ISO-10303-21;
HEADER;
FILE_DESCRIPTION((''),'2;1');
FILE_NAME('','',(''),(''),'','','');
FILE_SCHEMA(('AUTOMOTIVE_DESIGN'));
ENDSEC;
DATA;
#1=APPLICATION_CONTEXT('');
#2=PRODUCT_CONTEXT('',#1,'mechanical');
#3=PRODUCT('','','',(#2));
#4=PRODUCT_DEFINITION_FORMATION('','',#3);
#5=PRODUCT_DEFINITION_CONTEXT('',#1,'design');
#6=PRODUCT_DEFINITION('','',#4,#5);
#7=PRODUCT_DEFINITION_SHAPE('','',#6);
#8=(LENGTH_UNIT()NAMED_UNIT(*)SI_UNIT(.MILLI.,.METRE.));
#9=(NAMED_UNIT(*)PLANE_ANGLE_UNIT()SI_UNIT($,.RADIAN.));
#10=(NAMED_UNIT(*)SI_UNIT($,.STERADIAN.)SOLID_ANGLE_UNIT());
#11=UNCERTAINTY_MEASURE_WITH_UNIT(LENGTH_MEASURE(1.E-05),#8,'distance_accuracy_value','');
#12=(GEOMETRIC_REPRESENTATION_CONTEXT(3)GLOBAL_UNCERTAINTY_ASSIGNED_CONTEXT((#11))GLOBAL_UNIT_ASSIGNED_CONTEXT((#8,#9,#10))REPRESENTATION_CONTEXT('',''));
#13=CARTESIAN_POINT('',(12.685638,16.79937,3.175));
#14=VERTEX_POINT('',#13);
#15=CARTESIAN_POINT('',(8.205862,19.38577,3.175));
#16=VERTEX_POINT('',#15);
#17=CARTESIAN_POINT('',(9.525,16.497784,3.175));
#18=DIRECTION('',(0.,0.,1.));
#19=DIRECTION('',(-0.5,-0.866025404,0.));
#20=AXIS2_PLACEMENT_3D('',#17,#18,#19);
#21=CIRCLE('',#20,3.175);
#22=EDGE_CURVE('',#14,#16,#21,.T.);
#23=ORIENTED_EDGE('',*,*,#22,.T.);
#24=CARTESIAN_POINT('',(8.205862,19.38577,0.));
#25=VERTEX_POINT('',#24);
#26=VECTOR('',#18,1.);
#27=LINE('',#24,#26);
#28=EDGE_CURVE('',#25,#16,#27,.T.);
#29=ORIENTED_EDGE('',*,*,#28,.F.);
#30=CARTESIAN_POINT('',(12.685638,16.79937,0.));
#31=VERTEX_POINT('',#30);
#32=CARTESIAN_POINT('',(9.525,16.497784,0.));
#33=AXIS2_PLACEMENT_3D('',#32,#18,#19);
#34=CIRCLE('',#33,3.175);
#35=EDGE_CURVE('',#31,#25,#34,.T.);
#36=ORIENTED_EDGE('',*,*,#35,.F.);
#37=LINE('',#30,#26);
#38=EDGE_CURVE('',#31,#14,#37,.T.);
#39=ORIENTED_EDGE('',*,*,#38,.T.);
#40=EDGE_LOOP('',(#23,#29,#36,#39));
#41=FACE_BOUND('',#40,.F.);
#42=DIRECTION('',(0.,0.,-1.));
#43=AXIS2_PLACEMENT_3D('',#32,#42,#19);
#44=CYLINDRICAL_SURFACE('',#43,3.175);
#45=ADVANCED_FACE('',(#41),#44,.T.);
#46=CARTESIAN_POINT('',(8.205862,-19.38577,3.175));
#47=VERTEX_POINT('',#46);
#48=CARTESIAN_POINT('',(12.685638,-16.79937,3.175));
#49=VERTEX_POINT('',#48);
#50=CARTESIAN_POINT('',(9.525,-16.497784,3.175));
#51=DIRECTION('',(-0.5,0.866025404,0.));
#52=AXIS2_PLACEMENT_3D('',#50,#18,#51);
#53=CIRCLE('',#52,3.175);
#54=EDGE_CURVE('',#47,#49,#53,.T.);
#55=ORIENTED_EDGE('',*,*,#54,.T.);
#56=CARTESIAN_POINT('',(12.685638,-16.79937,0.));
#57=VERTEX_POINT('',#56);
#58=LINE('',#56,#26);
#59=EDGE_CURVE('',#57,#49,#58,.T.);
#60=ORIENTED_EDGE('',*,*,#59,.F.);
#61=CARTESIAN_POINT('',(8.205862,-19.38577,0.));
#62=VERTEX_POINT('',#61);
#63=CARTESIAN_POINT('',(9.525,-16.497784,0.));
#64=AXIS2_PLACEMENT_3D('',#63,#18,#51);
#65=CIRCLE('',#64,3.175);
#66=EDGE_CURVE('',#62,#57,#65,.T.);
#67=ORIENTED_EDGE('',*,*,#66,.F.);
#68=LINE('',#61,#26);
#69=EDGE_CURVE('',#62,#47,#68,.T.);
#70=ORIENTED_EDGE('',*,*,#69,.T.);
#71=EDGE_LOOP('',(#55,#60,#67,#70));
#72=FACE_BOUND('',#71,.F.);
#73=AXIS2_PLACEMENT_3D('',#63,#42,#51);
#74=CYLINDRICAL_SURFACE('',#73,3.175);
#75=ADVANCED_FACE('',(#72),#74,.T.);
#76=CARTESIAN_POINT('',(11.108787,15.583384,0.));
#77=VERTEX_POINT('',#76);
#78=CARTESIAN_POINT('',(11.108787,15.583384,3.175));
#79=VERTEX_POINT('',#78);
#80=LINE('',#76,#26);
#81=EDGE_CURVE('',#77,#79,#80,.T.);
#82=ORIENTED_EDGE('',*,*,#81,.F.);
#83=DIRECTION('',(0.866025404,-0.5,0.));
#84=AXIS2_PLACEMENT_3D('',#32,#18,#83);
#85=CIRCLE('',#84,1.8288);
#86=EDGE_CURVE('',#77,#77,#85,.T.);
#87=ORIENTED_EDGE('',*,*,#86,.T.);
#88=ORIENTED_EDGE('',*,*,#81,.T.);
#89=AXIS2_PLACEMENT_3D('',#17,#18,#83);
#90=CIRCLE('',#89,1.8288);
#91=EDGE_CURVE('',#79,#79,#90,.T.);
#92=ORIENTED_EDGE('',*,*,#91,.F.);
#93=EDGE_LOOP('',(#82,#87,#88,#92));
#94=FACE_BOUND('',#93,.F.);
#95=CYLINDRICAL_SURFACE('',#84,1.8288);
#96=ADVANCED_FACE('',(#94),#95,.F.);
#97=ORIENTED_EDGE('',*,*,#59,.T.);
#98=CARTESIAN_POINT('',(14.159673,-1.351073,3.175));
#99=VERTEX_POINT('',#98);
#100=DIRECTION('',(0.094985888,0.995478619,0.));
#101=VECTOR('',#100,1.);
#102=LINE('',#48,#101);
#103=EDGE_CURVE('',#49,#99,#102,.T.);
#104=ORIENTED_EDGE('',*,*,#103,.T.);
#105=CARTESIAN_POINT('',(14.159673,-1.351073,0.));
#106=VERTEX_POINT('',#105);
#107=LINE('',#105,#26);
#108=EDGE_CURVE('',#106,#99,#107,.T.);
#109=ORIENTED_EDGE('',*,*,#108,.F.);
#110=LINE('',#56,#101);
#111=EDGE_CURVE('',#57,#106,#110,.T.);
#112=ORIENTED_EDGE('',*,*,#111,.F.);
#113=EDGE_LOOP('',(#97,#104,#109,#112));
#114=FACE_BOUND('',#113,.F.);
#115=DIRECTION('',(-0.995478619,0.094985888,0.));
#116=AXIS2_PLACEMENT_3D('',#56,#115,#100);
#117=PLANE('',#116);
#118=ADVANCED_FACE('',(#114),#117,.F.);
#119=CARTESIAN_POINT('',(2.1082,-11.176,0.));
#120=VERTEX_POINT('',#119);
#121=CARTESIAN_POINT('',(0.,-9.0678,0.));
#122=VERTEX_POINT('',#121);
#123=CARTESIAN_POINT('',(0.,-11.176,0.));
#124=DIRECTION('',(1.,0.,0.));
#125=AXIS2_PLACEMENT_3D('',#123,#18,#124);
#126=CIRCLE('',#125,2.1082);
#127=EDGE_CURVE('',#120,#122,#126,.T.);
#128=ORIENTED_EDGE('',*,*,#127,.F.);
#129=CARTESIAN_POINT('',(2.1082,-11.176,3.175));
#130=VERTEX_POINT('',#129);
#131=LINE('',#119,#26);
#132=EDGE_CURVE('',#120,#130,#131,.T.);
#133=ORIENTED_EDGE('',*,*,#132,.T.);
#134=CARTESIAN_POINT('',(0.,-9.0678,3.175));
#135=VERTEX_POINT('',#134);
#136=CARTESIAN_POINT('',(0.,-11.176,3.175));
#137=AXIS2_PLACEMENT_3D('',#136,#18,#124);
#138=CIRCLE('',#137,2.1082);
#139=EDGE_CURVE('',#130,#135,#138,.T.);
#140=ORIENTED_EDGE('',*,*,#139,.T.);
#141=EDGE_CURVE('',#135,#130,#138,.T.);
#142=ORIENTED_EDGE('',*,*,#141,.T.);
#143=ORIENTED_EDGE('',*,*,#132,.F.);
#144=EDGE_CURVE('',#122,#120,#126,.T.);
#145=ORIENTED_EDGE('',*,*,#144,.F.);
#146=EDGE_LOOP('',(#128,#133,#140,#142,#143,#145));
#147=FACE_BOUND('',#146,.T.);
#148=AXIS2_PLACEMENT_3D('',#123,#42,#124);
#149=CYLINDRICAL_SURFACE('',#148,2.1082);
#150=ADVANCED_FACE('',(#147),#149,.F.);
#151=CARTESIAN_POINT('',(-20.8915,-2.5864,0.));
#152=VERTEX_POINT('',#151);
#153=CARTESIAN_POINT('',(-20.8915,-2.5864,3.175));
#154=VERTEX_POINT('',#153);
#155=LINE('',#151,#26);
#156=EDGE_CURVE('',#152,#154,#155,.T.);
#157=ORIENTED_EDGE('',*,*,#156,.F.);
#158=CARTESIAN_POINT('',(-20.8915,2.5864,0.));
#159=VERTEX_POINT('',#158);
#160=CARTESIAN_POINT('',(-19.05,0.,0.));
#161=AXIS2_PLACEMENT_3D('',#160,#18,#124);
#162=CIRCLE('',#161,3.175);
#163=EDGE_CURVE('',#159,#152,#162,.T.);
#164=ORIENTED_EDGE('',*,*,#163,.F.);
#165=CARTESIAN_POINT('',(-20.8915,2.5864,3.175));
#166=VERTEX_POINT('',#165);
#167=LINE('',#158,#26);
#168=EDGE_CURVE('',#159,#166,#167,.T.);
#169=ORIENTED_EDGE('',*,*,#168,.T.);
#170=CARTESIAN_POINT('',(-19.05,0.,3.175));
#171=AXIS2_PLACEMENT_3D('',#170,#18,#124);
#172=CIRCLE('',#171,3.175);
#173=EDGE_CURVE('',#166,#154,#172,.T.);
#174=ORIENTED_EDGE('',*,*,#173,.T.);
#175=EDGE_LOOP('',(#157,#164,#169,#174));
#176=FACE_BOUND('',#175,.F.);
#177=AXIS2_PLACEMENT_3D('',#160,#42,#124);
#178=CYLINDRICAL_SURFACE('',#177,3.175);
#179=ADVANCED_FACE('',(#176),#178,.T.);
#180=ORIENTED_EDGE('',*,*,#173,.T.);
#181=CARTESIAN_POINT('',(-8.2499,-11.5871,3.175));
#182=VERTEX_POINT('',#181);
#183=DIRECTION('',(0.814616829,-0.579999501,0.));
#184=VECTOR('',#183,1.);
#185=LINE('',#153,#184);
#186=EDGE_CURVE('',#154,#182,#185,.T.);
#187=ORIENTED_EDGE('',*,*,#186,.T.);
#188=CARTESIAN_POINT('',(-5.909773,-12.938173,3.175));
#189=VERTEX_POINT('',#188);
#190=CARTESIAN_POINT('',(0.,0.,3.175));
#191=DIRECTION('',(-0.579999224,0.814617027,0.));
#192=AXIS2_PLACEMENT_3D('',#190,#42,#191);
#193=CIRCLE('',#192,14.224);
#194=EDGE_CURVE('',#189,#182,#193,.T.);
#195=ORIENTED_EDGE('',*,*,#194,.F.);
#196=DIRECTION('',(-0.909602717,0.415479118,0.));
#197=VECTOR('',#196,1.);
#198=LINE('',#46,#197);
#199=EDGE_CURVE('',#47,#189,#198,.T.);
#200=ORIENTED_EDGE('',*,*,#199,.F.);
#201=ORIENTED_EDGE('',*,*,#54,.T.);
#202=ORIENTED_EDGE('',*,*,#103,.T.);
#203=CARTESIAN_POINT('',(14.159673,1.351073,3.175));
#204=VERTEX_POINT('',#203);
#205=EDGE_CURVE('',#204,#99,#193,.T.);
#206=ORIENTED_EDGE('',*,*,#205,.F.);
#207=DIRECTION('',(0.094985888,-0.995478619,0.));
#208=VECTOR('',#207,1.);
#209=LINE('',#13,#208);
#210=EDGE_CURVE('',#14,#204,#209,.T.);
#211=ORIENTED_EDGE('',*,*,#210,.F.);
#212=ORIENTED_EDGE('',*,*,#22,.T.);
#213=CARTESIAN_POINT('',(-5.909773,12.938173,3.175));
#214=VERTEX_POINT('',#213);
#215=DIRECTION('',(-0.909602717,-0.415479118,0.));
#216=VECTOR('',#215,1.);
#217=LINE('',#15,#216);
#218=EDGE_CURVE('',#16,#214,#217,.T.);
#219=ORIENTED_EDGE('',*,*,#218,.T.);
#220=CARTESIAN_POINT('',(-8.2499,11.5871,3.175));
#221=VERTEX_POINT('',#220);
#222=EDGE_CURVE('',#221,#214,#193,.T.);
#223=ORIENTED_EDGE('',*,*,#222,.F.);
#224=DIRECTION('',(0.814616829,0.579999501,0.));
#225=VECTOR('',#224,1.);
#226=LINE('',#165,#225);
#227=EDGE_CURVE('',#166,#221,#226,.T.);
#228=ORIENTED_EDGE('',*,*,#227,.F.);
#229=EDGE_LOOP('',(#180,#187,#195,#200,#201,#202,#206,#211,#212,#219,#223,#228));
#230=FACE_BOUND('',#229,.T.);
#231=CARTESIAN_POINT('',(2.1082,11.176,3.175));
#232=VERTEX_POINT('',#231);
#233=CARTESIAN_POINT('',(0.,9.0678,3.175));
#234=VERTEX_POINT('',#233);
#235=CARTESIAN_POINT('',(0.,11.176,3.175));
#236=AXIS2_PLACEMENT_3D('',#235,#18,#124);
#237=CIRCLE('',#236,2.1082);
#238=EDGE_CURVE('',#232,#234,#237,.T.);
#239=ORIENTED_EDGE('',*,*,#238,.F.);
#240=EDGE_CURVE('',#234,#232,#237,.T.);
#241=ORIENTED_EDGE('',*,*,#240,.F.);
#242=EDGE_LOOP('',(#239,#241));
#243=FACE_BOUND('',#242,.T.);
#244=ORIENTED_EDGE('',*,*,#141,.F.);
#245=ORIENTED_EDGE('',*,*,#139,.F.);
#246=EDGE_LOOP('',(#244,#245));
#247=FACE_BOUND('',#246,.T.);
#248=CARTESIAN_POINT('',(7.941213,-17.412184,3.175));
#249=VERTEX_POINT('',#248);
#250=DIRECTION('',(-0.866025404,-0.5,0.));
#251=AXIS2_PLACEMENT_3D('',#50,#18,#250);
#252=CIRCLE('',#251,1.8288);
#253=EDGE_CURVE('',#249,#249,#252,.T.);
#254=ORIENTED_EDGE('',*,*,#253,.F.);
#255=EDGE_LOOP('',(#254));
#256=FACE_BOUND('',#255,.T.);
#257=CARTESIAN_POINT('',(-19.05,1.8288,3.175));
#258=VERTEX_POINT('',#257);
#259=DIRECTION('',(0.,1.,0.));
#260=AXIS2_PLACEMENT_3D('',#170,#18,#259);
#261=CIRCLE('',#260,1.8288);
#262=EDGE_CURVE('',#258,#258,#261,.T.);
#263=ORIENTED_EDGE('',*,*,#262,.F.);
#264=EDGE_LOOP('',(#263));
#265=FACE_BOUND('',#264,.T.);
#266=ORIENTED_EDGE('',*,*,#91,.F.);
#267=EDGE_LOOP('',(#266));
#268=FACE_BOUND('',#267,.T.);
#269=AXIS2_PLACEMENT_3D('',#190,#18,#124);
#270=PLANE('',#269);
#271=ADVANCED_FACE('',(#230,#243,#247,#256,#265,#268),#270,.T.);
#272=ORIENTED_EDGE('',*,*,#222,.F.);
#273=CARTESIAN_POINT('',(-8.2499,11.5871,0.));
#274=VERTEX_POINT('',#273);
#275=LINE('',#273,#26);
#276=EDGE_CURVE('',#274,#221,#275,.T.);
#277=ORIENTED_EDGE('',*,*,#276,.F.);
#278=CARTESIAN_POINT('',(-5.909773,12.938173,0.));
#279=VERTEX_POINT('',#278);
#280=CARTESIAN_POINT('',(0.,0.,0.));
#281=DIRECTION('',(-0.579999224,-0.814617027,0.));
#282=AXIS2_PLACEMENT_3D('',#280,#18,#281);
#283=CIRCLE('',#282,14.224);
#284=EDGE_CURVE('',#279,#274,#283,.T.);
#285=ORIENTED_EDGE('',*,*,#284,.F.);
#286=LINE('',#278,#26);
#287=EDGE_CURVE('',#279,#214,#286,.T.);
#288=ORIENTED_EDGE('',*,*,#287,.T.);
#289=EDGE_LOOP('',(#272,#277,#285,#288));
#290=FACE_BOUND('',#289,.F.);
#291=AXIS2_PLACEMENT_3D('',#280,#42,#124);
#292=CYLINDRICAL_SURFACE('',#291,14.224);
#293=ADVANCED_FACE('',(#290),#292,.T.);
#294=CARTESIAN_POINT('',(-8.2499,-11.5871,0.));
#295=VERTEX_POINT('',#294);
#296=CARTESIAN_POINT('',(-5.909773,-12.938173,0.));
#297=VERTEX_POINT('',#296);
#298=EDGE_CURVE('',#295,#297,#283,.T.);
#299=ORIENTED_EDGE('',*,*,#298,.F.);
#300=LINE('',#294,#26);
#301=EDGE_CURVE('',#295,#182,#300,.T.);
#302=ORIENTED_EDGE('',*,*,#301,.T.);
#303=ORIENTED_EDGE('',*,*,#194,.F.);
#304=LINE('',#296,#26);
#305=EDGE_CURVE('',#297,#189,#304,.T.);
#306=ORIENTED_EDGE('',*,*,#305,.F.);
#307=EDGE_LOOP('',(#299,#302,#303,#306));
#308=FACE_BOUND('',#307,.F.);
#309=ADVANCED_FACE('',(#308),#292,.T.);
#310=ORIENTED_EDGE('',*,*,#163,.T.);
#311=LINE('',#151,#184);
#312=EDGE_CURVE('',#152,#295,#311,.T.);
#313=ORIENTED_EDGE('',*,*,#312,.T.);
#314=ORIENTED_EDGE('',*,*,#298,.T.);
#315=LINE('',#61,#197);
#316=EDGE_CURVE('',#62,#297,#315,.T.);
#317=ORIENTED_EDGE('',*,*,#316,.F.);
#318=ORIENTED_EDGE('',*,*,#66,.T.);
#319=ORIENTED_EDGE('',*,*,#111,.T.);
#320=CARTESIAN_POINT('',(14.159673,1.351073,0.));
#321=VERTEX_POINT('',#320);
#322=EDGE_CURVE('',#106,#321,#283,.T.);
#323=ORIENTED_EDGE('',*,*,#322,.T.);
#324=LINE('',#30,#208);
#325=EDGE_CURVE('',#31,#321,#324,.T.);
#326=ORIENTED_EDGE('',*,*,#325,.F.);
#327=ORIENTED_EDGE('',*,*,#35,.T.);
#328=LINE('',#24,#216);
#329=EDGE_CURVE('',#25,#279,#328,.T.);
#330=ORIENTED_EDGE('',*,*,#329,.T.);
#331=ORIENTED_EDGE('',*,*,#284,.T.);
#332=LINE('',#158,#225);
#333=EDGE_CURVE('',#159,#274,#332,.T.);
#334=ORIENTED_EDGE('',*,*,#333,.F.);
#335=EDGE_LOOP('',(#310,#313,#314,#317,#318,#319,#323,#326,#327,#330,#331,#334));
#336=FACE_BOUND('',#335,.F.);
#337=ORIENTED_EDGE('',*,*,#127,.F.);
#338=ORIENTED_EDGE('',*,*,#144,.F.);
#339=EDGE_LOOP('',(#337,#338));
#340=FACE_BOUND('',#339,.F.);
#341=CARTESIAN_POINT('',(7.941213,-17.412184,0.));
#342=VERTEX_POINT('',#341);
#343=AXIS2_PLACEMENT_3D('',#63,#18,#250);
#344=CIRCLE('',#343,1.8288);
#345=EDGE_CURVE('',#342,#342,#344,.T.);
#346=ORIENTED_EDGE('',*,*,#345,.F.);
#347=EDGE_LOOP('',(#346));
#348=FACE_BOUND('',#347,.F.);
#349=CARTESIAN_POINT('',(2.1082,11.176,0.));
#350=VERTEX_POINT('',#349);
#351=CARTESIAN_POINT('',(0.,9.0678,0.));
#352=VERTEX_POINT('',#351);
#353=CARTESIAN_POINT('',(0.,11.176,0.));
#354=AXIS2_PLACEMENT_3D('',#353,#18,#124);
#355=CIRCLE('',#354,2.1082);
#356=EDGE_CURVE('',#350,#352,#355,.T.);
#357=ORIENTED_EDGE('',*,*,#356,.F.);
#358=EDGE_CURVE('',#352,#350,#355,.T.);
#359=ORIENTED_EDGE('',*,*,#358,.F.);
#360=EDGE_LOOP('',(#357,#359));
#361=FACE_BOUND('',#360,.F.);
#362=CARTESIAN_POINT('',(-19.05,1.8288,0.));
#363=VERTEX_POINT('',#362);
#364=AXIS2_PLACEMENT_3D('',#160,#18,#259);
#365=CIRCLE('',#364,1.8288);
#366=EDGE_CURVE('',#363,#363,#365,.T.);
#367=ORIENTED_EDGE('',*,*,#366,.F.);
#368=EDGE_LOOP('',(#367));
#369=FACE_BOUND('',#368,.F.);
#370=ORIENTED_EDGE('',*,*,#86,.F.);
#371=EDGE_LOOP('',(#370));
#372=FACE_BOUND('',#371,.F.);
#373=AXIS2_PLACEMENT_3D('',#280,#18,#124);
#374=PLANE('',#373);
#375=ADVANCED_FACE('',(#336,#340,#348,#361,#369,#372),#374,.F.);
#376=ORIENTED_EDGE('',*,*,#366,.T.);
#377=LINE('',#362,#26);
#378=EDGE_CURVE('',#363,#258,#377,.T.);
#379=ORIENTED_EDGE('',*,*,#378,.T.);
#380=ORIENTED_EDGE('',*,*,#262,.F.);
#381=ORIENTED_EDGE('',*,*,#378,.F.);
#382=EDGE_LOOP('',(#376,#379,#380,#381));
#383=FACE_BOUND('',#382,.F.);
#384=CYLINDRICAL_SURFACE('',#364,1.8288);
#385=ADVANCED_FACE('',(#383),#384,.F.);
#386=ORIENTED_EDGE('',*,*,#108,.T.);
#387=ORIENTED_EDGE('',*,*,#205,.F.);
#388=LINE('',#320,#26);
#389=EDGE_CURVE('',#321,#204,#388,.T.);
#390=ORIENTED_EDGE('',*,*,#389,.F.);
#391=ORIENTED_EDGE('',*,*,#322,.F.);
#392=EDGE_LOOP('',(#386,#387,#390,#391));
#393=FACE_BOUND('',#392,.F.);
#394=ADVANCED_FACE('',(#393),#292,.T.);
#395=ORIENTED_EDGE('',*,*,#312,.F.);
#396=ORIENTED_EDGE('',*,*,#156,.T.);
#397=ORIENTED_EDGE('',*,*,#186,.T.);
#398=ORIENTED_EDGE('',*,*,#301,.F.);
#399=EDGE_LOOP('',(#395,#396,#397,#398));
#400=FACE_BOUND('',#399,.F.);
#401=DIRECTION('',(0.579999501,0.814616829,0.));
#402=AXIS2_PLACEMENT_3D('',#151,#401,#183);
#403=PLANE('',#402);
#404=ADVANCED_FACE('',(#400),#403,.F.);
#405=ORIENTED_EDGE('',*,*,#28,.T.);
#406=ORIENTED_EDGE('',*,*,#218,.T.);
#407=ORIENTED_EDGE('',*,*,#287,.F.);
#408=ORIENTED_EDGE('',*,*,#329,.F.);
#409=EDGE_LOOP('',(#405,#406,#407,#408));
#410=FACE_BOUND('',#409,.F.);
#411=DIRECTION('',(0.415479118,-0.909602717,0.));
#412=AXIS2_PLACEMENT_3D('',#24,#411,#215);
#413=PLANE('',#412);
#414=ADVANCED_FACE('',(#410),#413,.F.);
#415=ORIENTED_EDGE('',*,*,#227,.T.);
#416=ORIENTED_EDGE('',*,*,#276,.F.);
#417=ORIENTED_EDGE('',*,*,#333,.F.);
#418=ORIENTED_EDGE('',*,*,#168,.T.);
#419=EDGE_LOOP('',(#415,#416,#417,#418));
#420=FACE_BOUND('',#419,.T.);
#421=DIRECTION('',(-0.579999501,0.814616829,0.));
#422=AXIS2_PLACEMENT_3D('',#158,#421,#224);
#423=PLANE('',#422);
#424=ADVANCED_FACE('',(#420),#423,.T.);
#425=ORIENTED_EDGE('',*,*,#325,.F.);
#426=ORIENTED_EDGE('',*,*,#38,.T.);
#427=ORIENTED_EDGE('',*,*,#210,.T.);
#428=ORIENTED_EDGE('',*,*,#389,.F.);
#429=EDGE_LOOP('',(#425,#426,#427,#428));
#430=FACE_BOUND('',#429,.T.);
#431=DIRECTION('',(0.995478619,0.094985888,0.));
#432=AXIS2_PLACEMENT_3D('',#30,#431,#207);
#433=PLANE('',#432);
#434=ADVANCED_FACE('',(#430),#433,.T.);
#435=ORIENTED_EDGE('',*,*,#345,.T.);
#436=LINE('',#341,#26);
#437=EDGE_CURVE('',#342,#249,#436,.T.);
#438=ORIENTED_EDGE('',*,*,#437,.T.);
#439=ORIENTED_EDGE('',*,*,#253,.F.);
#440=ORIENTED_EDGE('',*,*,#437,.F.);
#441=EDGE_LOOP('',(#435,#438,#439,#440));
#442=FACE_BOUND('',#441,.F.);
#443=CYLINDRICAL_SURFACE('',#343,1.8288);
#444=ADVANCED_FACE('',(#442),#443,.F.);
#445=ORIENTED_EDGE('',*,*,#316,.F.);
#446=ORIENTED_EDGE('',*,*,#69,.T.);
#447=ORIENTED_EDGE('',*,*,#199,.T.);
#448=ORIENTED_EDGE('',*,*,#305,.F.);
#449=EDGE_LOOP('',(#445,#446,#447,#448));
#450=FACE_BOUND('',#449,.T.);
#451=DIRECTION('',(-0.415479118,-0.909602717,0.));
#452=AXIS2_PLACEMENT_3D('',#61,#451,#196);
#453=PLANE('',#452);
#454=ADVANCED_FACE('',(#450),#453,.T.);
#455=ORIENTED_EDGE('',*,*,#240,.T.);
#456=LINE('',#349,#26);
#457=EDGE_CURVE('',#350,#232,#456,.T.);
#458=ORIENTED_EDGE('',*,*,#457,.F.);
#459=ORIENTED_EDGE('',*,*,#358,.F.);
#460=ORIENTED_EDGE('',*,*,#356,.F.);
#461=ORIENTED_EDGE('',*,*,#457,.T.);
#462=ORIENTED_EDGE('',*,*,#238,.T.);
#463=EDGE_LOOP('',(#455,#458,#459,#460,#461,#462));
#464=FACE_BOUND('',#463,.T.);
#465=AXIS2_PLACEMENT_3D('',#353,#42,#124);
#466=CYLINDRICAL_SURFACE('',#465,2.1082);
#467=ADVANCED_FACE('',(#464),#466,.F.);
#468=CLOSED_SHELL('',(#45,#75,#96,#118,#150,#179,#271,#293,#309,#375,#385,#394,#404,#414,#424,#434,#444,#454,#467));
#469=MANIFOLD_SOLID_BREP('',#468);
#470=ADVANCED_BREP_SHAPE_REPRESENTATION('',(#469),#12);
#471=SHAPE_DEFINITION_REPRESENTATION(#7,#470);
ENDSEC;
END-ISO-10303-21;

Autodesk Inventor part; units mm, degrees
ref_plane "YZ Plane" through (0, 0, 0) normal (1, 0, 0) x (0, 1, 0)
ref_plane "XZ Plane" through (0, 0, 0) normal (0, 1, 0) x (-1, 0, 0)
ref_plane "XY Plane" through (0, 0, 0) normal (0, 0, 1) x (1, 0, 0)
sketch "Sketch1" plane through (0, 0, 0) normal (0, 0, 1) x (1, 0, 0)
  circle A0 centre (0, 0) radius 14.224
  circle A1 centre (0, 0) radius 19.05 construction
  line L0 (0, 0) -> (-19.05, 0)
  circle A2 centre (-19.05, 0) radius 3.175
  circle A3 centre (0, 11.176) radius 2.1082
  line L1 (0, 0) -> (0, 11.176)
  line L2 (0, 0) -> (0, -11.176)
  circle A4 centre (0, -11.176) radius 2.1082
  line L3 (-20.8915, 2.5864) -> (-8.2499, 11.5871)
  line L4 (-20.8915, -2.5864) -> (-8.2499, -11.5871)
  dimension "d1" = 38.1
  dimension "d0" = 28.448
  dimension "d2" = 6.35
  dimension "d3" = 11.176
  dimension "d4" = 11.176
  dimension "d5" = 4.2164
  dimension "d6" = 4.2164
extrude "Extrusion1" add sketch "Sketch1" along normal blind 3.175 contours A0
extrude "Extrusion2" add sketch "Sketch1" along normal blind 3.175 contours A0 L0 A2 L3 | L4 A2 L0 A0 | A2
hole "Hole1" at (-19.05, 0, 0) direction (0, 0, 1) diameter 3.6576 end through all clearance for "Socket Head Cap Screw" size "#6" standard "Ansi Unified Screw Threads"
pattern_circular "Circular Pattern2" count 3 over 360 about axis through (0, 0, 0) along (0, 0, 1) of "Extrusion2", "Hole1"
properties part number "Mounting Plate"
